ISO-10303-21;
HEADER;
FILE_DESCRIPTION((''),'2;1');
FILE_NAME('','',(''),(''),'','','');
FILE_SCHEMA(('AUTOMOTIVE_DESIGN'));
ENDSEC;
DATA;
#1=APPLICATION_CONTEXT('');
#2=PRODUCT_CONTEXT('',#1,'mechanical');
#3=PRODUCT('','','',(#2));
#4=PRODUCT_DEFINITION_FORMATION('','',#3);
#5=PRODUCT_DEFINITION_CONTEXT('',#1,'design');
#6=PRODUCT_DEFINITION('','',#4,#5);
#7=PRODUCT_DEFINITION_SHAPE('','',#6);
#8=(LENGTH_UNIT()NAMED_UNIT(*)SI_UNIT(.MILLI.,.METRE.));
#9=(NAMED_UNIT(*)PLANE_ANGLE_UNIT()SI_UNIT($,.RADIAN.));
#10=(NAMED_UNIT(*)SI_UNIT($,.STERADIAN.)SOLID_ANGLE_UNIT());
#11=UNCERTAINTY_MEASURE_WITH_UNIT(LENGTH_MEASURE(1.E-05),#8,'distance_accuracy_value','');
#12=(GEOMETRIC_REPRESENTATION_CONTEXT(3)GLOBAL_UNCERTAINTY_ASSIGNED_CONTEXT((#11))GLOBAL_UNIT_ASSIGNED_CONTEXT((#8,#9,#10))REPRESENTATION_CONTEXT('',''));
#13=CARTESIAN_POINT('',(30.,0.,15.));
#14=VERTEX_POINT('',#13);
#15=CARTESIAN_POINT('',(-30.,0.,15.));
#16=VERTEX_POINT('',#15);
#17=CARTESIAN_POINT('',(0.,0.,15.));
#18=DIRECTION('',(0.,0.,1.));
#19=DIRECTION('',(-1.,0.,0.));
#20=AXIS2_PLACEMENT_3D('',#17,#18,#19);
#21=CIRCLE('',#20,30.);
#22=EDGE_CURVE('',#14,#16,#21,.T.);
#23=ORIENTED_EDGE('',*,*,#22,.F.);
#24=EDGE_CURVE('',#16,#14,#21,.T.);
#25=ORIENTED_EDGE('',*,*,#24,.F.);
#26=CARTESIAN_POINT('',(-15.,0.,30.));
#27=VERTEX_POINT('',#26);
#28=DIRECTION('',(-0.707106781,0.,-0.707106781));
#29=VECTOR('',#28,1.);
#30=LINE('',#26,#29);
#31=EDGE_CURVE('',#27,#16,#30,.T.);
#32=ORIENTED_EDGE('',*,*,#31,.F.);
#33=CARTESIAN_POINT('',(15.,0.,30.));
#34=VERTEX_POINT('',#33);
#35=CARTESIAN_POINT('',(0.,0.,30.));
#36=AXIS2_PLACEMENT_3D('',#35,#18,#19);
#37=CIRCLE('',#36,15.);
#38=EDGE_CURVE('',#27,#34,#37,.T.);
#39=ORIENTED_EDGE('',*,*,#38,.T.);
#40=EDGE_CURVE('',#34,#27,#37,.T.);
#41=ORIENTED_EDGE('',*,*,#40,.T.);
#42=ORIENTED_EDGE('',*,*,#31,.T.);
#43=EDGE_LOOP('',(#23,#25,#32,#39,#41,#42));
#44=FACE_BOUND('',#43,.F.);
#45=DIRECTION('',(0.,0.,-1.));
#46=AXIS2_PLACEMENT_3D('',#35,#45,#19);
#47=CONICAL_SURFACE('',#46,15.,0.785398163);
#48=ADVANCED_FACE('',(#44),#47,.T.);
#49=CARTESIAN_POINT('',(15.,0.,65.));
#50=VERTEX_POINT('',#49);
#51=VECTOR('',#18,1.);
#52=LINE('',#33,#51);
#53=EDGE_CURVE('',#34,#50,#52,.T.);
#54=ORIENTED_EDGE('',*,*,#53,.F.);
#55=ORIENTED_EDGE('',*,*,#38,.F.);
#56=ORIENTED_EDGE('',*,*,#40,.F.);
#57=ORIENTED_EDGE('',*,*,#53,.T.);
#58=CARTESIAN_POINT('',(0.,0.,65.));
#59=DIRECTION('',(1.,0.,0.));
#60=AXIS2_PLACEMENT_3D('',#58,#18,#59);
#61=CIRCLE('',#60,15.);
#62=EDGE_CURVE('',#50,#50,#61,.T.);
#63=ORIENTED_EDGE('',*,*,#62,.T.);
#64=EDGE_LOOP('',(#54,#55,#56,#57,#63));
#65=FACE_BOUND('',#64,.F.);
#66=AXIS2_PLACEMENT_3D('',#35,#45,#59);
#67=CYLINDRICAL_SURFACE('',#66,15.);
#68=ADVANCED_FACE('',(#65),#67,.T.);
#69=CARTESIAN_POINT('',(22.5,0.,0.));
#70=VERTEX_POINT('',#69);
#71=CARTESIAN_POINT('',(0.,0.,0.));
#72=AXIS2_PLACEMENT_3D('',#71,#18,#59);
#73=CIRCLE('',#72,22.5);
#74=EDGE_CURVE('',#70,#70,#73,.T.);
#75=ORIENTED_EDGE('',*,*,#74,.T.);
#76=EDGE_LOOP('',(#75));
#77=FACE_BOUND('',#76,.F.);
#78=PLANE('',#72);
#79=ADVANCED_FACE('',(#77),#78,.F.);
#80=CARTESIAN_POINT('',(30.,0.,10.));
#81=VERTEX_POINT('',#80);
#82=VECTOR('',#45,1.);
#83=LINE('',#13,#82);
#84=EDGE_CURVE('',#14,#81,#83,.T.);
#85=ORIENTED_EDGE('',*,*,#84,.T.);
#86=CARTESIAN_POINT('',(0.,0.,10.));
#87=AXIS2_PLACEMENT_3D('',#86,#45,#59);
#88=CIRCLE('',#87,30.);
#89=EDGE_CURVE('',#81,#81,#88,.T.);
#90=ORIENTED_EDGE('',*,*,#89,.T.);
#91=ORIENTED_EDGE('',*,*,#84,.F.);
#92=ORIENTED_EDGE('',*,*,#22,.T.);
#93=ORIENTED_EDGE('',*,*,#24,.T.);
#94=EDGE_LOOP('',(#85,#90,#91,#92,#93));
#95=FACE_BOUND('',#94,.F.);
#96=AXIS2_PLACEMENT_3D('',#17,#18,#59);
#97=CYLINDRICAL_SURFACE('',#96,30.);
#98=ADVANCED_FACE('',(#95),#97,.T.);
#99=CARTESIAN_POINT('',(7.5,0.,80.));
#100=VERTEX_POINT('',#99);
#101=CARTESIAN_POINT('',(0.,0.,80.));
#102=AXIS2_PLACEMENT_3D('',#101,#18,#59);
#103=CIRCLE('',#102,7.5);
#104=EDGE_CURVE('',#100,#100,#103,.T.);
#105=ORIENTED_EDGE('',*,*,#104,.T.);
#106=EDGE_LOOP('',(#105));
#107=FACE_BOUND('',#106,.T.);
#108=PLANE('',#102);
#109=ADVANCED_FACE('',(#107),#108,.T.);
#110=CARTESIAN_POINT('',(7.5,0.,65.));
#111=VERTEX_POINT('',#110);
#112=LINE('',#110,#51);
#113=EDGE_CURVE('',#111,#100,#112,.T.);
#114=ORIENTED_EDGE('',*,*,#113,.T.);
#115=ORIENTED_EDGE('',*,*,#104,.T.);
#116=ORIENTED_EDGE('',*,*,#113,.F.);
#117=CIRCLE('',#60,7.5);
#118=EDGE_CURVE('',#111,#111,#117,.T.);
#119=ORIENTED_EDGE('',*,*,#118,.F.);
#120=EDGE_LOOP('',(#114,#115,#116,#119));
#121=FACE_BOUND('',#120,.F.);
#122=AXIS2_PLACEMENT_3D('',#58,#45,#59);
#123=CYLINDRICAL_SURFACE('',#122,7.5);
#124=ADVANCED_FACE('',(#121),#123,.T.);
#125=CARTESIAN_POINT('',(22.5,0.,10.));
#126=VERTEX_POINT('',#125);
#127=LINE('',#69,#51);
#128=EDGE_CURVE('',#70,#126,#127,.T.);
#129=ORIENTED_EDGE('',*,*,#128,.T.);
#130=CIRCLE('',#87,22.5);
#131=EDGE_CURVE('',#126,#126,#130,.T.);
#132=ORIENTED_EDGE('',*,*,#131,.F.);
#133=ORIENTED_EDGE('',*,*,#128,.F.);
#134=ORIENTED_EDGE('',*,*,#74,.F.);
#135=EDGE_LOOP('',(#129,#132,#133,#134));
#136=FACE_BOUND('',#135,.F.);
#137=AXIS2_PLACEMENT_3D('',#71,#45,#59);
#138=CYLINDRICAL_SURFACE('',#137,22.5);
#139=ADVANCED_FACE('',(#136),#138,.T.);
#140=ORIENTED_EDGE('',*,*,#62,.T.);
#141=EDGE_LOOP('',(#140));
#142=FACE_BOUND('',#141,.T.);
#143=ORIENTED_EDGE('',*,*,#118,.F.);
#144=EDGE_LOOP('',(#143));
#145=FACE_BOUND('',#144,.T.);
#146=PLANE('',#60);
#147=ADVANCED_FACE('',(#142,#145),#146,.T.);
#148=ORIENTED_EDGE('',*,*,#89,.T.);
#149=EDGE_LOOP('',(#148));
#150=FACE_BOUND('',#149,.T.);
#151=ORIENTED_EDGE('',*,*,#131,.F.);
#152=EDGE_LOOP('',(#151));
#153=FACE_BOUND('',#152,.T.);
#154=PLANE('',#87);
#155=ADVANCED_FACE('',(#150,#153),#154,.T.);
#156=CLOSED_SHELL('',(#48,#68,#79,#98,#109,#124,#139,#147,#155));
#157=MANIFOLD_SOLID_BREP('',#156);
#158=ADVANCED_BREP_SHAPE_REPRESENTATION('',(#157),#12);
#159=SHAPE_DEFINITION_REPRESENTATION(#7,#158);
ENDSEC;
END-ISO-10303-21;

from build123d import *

# Parameters (mm, degrees)
F0_R     = 22.5
F1_DEPTH = 15
F4_R     = 30
F5_DEPTH = 5
F6_R     = 15
F7_DEPTH = 35
F8_R     = 7.5
F9_DEPTH = 15


with BuildPart() as f1:
    # F0 (on Top) → F1 (new body)
    with BuildSketch(Plane.XY):
        Circle(F0_R)
    extrude(amount=F1_DEPTH)

    # F2 (on Front) → F3 (revolve)
    with BuildSketch(Plane.XZ):
        Polygon((-30, 15), (0, 15), (0, 30), (-15, 30), align=None)
    revolve(axis=Axis((0, 0, 7.5), (0, 0, 1)))

    # F4 (on face) → F5 (join)
    with BuildSketch(Plane(origin=(0, 0, 15), x_dir=(1, 0, 0), z_dir=(0, 0, -1))):
        Circle(F4_R)
    extrude(amount=F5_DEPTH)

    # F6 (on face) → F7 (join)
    with BuildSketch(Plane.XY.offset(30)):
        Circle(F6_R)
    extrude(amount=F7_DEPTH)

    # F8 (on face) → F9 (join)
    with BuildSketch(Plane.XY.offset(65)):
        Circle(F8_R)
    extrude(amount=F9_DEPTH)


solid = f1.part
